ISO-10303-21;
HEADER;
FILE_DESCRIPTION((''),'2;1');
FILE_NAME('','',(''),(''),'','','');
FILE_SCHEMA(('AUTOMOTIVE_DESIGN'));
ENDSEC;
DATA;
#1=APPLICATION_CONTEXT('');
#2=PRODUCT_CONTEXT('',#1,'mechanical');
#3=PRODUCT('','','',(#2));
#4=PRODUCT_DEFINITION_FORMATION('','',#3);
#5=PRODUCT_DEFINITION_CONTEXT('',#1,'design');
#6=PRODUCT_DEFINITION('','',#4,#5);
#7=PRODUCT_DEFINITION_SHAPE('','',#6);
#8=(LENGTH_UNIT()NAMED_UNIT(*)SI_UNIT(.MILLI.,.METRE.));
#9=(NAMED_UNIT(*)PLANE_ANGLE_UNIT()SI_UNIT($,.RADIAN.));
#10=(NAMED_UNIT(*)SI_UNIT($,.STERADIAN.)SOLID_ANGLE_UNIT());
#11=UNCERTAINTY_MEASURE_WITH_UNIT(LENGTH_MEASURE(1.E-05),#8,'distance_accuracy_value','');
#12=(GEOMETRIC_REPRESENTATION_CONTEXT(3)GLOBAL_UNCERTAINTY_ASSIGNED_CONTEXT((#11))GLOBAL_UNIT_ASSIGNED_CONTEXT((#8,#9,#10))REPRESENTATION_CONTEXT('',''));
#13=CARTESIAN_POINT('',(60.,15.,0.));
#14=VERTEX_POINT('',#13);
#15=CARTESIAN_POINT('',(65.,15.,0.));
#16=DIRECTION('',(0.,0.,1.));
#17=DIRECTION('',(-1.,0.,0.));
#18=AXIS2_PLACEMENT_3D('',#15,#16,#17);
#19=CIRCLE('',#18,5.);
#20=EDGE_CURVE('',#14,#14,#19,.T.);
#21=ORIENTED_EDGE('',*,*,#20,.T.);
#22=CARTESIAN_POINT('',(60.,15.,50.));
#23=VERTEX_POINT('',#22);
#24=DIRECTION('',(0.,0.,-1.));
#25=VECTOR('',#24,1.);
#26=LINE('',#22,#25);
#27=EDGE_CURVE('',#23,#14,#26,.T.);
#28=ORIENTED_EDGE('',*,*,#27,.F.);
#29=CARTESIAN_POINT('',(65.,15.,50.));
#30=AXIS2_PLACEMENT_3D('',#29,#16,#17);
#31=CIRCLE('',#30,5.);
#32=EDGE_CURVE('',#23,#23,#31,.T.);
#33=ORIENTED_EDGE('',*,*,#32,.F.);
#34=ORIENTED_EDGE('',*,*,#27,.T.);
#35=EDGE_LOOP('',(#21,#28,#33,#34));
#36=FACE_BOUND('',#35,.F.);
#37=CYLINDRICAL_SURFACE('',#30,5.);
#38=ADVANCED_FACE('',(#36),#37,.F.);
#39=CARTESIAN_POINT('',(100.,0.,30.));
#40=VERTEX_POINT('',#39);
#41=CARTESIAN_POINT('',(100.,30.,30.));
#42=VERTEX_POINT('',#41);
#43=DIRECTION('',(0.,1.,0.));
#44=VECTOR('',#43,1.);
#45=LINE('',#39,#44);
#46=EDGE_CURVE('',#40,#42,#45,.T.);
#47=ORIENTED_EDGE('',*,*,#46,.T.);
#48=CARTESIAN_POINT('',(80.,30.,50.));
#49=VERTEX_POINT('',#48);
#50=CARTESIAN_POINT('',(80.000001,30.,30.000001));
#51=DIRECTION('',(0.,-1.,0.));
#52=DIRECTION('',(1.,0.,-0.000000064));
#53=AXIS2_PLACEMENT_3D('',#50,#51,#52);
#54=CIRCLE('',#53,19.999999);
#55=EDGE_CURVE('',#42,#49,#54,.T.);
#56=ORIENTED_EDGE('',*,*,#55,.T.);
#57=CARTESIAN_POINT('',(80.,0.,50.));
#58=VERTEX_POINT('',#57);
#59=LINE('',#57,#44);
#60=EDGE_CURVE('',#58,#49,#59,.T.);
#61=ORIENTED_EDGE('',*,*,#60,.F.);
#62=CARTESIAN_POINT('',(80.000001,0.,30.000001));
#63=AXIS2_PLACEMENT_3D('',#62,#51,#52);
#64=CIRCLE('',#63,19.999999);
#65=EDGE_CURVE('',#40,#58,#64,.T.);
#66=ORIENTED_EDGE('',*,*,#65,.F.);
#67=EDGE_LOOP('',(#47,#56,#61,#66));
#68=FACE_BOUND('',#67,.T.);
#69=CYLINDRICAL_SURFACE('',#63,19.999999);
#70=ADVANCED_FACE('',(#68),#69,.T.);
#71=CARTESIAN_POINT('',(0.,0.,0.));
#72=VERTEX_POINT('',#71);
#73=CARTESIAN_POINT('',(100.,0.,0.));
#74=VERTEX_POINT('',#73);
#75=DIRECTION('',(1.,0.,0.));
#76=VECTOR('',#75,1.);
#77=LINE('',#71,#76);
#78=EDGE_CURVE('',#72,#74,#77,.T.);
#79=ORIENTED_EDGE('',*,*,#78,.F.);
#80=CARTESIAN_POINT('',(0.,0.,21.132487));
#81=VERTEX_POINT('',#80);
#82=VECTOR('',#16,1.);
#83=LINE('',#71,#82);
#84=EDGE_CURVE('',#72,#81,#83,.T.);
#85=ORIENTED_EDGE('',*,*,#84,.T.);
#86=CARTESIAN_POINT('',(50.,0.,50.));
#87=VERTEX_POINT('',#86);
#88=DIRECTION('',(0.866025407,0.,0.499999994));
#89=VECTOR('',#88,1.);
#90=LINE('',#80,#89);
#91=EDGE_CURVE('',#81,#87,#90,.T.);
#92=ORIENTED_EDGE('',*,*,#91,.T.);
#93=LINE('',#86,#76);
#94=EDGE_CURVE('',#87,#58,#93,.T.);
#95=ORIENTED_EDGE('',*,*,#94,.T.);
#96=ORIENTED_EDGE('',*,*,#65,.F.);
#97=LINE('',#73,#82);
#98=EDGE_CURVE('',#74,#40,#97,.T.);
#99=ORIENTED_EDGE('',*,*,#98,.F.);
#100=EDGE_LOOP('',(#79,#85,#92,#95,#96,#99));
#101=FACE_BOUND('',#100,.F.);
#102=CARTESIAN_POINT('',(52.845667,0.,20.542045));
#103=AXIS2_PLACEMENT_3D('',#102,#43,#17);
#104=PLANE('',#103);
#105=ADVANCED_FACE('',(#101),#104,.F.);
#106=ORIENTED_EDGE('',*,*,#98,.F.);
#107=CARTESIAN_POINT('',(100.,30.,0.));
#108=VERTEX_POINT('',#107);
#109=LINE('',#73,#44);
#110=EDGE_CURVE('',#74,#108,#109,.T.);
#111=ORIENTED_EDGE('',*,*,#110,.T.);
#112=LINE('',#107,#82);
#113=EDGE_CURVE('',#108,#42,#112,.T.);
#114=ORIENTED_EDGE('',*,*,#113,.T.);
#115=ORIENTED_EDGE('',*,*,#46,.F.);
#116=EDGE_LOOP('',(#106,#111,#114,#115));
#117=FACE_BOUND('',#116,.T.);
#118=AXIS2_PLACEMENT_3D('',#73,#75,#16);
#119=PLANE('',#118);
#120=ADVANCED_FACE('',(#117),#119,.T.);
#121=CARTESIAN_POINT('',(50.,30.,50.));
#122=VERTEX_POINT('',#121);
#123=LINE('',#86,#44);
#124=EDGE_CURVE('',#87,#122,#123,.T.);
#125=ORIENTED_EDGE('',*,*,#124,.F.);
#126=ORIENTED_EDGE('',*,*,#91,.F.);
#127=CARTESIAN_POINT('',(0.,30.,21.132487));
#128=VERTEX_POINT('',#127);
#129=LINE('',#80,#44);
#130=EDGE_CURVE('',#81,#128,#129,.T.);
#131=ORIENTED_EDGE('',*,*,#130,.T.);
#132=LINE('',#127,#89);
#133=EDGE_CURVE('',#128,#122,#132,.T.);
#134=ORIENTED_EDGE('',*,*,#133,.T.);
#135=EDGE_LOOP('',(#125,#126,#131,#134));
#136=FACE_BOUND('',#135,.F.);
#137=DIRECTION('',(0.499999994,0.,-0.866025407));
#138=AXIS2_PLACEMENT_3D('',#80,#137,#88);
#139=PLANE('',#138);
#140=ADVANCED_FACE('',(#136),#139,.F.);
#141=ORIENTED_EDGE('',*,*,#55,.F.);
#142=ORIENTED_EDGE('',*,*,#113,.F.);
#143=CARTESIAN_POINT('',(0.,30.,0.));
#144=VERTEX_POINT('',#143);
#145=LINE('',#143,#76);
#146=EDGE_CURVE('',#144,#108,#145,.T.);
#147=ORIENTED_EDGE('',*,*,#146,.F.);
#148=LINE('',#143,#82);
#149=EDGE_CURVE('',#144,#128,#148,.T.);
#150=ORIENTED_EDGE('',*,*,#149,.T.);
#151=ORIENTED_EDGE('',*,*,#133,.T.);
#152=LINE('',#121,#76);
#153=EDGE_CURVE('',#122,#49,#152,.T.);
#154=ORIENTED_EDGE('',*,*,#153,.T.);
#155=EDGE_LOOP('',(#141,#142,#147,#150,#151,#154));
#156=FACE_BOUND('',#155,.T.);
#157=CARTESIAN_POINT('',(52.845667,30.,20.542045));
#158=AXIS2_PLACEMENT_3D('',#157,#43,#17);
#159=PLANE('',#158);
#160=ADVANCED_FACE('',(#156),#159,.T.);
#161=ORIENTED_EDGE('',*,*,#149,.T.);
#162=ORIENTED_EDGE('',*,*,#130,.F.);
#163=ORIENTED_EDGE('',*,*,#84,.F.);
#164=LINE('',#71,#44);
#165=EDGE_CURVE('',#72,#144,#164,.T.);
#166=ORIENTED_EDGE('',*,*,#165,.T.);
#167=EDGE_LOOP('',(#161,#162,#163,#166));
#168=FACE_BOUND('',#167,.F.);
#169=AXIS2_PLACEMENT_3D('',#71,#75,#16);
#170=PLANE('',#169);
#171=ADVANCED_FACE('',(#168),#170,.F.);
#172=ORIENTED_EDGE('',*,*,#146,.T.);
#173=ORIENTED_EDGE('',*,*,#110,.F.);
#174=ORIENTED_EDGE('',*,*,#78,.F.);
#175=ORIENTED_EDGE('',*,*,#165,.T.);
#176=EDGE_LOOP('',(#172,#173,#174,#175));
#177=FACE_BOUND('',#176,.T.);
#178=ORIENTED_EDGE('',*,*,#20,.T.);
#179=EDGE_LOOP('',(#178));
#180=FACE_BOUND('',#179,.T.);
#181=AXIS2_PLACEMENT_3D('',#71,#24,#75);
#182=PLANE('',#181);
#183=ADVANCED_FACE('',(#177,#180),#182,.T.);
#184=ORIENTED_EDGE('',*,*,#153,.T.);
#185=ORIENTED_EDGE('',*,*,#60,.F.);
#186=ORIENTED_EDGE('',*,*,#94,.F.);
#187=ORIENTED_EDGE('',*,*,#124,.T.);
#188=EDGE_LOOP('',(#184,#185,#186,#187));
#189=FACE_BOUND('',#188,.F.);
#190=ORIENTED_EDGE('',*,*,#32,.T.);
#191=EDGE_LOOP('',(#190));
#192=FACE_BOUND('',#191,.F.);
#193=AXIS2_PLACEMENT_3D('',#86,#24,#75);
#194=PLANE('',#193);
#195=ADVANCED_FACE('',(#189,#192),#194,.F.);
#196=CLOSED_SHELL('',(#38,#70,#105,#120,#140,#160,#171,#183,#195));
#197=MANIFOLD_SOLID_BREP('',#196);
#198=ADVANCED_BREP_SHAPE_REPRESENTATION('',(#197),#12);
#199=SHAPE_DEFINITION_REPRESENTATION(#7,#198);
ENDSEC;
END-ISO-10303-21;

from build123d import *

# Parameters (mm, degrees)
PAD_DEPTH    = 30
SKETCH001_R  = 5
POCKET_DEPTH = 50.001


with BuildPart() as part:
    # Sketch → Pad (new body)
    with BuildSketch(Plane.XZ):
        with BuildLine():
            Line((0, 0), (0, 21.132487))
            Line((0, 21.132487), (50, 50))
            Line((50, 50), (80, 50))
            ThreePointArc((100, 30), (94.142136, 44.142136), (80, 50))
            Line((100, 0), (100, 30))
            Line((0, 0), (100, 0))
        make_face()
    extrude(amount=-PAD_DEPTH)

    # Sketch001 (on Face3 of Pad) → Pocket (cut, through all)
    with BuildSketch(Plane(origin=(0, 0, 50), x_dir=(-1, 0, 0), z_dir=(0, 0, 1))):
        with Locations((-65, -15)):
            Circle(SKETCH001_R)
    extrude(amount=-POCKET_DEPTH, mode=Mode.SUBTRACT)


solid = part.part
